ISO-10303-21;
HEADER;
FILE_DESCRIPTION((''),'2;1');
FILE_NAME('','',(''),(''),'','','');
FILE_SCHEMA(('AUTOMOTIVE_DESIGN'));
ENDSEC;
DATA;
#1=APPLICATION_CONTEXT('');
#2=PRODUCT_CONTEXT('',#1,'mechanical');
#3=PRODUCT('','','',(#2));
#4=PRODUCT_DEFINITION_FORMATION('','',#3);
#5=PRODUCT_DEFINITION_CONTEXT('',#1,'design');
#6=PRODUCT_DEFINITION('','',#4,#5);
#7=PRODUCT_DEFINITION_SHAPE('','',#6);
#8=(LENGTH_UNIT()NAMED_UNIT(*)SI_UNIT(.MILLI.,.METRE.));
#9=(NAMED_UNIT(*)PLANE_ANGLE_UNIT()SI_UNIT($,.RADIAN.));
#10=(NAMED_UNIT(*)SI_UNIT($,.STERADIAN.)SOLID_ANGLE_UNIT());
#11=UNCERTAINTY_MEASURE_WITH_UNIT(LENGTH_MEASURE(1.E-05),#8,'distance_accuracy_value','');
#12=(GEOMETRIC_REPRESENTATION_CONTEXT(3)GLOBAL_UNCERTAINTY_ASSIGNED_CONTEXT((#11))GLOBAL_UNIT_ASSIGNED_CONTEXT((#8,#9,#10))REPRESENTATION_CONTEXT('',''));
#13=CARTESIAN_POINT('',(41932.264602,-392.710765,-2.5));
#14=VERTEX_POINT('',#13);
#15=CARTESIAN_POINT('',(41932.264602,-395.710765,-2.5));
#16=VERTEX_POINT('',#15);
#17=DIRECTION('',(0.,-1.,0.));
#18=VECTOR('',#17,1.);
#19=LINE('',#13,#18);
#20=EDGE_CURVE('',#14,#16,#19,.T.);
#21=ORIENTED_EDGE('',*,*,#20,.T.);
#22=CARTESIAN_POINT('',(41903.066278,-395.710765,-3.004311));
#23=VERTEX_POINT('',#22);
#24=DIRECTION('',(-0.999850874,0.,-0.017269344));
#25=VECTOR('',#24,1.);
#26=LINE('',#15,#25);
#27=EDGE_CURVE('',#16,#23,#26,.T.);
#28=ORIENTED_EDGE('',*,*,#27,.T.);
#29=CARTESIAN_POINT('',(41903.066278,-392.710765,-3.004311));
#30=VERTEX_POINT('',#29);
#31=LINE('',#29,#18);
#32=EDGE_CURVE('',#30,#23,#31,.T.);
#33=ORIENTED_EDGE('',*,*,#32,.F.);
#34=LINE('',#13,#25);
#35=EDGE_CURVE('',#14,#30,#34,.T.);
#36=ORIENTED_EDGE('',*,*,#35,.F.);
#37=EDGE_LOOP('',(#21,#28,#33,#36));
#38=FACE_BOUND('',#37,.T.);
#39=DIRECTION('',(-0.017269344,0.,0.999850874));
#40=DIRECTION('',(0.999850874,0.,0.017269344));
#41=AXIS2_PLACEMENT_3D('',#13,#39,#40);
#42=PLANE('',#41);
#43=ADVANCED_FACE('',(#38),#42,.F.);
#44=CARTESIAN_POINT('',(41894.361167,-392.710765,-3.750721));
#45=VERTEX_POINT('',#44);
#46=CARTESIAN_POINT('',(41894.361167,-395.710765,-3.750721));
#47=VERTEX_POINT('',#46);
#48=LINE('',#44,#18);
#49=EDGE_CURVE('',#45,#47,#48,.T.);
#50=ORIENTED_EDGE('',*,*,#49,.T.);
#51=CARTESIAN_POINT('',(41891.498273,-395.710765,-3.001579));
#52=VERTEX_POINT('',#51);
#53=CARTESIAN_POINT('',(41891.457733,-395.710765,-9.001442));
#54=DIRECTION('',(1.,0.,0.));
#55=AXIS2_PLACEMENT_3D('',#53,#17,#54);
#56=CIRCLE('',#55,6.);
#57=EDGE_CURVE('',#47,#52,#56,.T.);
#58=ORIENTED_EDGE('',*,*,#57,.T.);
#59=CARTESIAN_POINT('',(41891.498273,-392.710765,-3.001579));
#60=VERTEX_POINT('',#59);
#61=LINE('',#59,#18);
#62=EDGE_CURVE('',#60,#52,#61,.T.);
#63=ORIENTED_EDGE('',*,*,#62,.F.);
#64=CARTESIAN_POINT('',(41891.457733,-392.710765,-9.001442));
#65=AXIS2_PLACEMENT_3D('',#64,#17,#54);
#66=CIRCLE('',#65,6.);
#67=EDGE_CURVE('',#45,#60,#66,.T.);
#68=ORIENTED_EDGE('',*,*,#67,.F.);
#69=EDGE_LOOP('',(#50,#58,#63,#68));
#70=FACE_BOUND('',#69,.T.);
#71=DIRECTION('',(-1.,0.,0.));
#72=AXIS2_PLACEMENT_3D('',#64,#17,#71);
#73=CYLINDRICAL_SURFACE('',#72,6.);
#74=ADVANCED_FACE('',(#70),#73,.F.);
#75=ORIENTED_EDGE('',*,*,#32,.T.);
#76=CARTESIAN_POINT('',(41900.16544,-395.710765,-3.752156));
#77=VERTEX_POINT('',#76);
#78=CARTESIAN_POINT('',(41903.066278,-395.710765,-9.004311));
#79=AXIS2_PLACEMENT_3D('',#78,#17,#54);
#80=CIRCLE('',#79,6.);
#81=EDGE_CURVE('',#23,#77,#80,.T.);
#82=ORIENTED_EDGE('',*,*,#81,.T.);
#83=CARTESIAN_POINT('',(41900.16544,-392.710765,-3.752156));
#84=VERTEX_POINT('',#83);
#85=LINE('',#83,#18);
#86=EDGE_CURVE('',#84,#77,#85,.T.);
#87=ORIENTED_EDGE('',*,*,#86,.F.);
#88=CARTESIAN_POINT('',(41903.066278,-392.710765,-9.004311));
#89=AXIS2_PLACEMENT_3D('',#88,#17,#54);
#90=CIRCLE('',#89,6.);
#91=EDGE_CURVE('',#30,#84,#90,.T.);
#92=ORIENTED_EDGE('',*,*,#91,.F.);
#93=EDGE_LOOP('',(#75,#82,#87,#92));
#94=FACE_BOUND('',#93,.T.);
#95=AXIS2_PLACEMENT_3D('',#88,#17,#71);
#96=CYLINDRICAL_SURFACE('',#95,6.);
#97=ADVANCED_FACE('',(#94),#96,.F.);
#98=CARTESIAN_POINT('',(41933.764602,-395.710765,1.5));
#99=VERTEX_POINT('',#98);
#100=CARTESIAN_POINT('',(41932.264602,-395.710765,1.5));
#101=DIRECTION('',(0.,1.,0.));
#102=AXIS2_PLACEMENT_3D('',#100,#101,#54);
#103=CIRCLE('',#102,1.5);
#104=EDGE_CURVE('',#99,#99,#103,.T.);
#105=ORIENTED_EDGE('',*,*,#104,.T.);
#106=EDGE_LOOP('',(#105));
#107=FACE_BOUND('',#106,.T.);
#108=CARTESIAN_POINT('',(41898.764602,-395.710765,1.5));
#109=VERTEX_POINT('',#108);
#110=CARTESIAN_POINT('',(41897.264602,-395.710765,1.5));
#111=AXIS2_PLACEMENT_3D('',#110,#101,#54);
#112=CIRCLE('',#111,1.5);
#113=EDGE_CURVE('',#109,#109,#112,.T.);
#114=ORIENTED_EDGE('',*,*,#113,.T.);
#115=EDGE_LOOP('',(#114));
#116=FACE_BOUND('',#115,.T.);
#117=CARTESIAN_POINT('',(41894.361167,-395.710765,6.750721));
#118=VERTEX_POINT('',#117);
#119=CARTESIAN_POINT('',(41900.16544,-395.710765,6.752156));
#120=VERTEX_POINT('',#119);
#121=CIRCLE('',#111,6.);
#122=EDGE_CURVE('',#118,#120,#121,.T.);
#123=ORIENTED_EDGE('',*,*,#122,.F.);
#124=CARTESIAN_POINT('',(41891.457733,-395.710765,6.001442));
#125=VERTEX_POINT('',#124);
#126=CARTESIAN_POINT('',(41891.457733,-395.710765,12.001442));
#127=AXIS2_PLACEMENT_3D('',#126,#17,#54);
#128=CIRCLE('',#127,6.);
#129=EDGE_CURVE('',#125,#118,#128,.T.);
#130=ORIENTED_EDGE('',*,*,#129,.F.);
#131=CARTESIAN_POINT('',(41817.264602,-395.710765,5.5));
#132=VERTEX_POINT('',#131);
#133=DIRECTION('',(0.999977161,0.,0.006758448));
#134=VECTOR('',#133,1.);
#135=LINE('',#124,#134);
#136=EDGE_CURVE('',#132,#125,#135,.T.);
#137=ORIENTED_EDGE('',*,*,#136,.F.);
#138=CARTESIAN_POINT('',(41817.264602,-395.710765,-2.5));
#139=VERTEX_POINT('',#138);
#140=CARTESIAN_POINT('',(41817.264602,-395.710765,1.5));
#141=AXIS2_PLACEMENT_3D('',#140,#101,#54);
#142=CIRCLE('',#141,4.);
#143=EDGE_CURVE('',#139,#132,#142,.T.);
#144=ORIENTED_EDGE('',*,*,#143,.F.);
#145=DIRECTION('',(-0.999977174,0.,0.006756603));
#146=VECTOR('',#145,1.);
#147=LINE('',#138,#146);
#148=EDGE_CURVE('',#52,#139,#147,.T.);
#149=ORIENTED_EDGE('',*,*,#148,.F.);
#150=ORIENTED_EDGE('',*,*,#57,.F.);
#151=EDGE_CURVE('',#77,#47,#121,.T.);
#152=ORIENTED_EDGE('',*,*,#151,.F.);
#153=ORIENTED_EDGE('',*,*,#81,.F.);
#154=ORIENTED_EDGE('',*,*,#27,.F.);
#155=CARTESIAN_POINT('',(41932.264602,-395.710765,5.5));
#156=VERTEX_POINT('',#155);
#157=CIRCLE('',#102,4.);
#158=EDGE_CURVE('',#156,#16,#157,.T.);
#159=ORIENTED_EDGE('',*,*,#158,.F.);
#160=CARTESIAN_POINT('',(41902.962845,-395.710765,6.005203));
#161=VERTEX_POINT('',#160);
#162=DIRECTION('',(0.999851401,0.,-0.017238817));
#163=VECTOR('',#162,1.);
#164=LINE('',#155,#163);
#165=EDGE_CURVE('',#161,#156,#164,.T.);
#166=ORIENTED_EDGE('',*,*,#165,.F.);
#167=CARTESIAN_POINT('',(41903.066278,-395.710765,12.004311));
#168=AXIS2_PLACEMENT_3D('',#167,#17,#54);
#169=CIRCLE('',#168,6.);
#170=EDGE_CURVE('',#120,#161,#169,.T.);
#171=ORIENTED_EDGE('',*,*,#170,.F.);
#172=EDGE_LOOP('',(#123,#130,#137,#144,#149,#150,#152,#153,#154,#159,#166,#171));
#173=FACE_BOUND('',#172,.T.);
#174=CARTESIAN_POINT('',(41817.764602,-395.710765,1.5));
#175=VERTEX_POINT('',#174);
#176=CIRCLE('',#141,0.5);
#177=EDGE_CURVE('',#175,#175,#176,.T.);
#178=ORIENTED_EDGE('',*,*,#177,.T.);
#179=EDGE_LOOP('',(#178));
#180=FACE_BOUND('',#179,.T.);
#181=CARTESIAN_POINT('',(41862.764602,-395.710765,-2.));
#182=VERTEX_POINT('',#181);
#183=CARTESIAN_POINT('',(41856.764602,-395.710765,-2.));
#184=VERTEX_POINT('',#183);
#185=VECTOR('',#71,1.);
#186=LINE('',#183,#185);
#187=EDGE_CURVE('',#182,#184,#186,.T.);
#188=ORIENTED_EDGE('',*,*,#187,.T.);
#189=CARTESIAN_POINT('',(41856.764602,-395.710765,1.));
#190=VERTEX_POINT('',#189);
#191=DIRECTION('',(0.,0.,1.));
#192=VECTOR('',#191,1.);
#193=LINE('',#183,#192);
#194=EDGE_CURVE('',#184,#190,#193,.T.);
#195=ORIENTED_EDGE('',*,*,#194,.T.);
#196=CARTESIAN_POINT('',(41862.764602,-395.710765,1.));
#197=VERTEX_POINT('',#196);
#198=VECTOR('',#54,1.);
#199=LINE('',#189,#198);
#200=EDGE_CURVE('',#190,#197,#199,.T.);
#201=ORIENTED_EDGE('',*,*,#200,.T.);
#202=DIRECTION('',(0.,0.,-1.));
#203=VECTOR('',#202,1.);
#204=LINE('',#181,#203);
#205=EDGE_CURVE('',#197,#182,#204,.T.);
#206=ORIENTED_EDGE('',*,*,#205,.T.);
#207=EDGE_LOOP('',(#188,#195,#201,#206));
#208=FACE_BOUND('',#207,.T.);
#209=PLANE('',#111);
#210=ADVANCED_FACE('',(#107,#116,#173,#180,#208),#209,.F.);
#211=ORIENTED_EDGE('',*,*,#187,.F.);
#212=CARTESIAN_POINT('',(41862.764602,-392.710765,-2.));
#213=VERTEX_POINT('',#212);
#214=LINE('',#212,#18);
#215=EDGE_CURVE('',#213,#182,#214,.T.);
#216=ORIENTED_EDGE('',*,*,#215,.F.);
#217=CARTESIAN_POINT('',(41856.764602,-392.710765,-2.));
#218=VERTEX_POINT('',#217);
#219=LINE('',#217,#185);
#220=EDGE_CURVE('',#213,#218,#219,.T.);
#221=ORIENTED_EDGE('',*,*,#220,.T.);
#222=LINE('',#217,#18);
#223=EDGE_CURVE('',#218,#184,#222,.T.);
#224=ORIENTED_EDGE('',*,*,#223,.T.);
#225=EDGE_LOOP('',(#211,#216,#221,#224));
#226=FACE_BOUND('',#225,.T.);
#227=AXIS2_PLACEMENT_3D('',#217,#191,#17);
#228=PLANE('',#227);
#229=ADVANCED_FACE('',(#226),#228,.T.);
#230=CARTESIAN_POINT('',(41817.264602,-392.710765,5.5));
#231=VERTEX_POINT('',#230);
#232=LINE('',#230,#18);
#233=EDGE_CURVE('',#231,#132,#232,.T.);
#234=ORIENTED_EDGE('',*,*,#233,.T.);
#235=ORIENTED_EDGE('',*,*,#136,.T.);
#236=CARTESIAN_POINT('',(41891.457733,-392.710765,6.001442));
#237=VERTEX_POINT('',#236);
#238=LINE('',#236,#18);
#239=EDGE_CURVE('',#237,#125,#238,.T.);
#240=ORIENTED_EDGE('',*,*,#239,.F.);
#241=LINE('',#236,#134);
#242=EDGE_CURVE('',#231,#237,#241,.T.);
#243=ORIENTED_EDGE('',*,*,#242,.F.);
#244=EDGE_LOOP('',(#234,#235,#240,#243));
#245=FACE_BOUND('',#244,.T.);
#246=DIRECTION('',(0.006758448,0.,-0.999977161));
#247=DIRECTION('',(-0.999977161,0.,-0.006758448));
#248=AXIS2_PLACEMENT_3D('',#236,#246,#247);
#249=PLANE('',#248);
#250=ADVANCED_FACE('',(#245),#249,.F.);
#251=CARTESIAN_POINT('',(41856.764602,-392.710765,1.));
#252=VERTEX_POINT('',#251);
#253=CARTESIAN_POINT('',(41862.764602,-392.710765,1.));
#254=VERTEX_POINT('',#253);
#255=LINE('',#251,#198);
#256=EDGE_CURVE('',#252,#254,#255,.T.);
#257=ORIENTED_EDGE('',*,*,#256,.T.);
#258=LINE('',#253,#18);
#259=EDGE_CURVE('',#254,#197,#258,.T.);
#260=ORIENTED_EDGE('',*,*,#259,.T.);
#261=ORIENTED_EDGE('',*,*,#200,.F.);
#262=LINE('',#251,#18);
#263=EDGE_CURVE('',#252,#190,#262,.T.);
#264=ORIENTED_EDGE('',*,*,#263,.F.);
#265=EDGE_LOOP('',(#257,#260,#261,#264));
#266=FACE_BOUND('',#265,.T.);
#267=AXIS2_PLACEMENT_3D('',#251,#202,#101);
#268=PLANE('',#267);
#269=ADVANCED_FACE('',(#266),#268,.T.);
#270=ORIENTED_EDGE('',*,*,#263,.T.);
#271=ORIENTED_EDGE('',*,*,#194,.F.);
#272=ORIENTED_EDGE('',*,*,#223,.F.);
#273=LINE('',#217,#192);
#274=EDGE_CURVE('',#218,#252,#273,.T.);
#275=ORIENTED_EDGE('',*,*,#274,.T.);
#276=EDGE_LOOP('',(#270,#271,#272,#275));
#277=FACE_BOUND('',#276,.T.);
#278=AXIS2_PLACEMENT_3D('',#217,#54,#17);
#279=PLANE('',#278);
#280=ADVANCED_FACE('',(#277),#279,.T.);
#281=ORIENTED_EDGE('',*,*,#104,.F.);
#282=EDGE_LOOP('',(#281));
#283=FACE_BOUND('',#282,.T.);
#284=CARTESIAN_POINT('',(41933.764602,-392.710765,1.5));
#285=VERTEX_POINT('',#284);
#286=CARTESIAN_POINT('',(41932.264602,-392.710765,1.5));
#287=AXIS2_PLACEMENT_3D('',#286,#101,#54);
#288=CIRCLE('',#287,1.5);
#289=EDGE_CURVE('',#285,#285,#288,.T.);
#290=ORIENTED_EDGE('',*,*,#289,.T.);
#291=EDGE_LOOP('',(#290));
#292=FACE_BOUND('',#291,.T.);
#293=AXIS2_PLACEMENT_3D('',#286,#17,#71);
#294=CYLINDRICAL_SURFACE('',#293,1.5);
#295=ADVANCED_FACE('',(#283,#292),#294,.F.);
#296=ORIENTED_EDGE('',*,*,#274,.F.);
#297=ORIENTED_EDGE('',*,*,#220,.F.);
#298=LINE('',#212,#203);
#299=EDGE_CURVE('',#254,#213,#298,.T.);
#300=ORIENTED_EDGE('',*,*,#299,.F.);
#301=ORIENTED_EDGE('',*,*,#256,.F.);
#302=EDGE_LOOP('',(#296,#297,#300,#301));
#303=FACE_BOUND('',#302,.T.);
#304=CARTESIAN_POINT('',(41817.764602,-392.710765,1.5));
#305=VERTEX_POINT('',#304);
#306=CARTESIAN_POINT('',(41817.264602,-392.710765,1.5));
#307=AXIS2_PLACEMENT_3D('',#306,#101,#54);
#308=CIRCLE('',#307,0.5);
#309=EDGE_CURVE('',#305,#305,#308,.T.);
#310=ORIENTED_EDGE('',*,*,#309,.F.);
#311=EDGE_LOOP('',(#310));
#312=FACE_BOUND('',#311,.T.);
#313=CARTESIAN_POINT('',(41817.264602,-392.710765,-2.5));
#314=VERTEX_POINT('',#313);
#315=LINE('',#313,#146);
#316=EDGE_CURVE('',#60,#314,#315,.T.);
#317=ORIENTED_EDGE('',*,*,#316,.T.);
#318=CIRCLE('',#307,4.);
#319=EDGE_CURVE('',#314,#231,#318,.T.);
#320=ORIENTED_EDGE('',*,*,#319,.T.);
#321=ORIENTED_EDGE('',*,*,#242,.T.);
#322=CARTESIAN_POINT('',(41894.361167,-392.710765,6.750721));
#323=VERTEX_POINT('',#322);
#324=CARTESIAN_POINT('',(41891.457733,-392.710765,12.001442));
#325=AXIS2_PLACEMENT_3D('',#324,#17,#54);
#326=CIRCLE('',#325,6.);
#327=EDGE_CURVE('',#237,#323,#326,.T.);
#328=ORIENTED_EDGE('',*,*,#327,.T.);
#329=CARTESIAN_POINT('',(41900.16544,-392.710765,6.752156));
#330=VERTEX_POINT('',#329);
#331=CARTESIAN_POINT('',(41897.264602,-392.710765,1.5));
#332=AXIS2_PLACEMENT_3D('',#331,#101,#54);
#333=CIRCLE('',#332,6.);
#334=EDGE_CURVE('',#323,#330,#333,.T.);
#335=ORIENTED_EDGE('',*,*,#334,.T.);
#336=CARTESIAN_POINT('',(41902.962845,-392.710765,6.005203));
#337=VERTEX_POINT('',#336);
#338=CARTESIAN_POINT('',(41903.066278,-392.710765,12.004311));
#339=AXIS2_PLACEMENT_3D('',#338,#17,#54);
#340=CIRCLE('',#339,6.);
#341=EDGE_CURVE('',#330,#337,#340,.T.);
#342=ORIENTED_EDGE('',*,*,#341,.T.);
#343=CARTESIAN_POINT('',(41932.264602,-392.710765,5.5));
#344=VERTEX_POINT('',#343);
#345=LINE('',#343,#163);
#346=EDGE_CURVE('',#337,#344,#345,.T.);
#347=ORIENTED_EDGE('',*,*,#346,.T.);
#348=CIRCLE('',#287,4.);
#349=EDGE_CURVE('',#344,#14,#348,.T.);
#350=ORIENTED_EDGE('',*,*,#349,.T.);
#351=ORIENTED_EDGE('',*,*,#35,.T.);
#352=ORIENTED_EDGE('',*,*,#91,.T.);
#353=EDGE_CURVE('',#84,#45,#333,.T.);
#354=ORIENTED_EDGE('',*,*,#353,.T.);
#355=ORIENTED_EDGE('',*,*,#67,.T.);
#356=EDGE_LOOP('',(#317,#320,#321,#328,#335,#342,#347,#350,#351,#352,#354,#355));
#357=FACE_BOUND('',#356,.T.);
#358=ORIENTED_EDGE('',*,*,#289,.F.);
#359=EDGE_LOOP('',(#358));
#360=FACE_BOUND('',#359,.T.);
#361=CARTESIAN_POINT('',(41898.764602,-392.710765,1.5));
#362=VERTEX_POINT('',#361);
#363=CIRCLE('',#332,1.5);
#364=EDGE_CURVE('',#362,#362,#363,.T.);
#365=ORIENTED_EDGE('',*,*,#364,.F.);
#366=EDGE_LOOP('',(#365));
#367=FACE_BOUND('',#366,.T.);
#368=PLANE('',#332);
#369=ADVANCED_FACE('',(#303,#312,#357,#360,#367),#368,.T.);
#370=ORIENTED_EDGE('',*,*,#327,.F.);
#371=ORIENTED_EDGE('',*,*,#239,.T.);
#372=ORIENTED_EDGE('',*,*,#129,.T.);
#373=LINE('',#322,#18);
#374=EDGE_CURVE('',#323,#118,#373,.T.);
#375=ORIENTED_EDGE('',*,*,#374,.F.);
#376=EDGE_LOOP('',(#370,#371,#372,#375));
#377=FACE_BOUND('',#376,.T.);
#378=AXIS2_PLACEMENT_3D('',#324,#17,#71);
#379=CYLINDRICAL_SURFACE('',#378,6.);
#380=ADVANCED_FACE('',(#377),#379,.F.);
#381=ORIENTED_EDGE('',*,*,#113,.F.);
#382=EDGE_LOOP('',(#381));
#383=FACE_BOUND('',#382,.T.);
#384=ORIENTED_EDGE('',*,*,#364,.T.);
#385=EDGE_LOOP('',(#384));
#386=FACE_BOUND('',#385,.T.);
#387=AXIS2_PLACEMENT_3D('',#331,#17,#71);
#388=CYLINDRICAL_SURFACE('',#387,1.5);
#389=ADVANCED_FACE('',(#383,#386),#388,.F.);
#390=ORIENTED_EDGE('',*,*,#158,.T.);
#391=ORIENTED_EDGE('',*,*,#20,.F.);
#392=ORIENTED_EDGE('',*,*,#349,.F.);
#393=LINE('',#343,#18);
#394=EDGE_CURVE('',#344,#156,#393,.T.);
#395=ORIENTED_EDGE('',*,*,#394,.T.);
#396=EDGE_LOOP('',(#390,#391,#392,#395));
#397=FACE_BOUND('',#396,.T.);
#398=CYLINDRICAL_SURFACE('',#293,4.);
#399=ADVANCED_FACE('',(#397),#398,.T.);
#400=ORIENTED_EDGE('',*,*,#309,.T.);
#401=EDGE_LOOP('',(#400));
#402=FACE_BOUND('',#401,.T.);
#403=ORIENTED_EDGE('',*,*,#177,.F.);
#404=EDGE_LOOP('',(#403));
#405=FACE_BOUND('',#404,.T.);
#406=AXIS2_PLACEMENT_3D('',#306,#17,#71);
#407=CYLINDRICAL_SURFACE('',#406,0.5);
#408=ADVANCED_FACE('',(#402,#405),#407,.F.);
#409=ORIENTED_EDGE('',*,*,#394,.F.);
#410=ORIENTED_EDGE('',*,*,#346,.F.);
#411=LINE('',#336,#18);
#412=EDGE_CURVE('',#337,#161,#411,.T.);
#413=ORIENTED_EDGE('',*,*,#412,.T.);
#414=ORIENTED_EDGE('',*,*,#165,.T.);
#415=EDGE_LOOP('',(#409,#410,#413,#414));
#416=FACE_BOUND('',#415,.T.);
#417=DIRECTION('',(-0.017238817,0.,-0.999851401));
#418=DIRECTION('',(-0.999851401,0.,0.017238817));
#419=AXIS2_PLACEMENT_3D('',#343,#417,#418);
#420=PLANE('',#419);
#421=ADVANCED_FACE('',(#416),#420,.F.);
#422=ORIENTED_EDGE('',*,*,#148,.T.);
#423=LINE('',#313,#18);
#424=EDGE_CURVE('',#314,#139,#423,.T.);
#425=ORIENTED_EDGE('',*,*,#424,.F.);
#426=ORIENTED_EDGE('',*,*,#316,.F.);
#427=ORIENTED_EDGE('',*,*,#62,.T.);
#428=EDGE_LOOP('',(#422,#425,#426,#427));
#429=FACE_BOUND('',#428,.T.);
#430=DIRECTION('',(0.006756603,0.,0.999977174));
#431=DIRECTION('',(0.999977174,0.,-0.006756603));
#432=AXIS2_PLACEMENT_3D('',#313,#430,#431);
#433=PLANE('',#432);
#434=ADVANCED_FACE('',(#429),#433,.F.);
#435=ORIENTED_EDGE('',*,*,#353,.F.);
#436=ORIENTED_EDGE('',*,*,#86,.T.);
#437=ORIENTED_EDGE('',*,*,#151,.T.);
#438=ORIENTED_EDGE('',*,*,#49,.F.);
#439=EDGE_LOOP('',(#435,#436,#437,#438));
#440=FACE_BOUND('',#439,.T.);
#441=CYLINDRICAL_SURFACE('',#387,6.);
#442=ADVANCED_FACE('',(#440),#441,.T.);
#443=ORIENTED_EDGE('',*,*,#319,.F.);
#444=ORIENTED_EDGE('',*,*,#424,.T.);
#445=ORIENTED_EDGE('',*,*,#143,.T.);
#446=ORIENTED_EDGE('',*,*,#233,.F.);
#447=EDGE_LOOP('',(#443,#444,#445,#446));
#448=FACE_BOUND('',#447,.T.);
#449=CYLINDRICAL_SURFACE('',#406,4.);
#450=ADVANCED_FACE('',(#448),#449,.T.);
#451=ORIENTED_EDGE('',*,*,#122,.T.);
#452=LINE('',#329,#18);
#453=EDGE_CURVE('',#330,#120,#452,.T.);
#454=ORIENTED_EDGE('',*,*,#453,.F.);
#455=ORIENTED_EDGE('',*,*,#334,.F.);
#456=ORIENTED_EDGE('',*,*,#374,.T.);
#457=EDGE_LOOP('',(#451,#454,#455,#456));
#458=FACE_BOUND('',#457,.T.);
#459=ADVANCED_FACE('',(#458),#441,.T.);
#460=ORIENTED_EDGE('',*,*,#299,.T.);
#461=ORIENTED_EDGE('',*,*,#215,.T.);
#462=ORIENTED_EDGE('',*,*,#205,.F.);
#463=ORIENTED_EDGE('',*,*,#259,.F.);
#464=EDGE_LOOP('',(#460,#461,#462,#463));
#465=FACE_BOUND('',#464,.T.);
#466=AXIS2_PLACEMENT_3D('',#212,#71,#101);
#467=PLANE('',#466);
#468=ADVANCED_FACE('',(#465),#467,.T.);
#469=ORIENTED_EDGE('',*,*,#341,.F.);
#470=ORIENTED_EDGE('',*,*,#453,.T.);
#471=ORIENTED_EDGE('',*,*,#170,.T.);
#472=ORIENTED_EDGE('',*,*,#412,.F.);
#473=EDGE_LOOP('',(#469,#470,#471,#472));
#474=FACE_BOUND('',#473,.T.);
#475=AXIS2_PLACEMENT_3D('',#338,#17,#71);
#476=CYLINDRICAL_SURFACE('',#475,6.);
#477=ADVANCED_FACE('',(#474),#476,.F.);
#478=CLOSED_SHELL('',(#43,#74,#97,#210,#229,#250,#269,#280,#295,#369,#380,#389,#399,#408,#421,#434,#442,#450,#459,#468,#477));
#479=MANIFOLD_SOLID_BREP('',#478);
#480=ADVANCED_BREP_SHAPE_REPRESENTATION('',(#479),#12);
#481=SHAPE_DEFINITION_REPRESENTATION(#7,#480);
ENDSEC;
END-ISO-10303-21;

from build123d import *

# Parameters (mm, degrees)
CROQUIS1_R                 = 0.5
CROQUIS1_R_2               = 1.5
CROQUIS1_W                 = 6
CROQUIS1_H                 = 3
SALIENTE_EXTRUIR1_DEPTH    = 3
S_LIDO_MOVER_COPIAR1_ANGLE = 90


with BuildPart() as part:
    # Croquis1 → Saliente-Extruir1 (new body)
    with BuildSketch(Plane.XY):
        with BuildLine():
            Line((41932.264601563, -390.210765183), (41903.066277894, -389.706454081))
            ThreePointArc((41903.066277894, -389.706454081), (41901.568434997, -389.516485634), (41900.165439728, -388.958609632))
            ThreePointArc((41900.165439728, -388.958609632), (41897.263118587, -388.210765367), (41894.361167478, -388.960044231))
            ThreePointArc((41894.361167478, -388.960044231), (41892.97663061, -389.513886246), (41891.498273009, -389.709186322))
            Line((41891.498273009, -389.709186322), (41817.264601562, -390.210765183))
            ThreePointArc((41817.264601562, -390.210765183), (41813.264601563, -394.210765183), (41817.264601563, -398.210765183))
            Line((41817.264601563, -398.210765183), (41891.457733394, -398.712207088))
            ThreePointArc((41891.457733394, -398.712207088), (41892.957012268, -398.902545922), (41894.361167478, -399.461486136))
            ThreePointArc((41894.361167478, -399.461486136), (41897.263118587, -400.210765), (41900.165439728, -399.462920735))
            ThreePointArc((41900.165439728, -399.462920735), (41901.518409746, -398.918171578), (41902.962844991, -398.715967883))
            Line((41902.962844991, -398.715967883), (41932.264601563, -398.210765183))
            ThreePointArc((41932.264601563, -398.210765183), (41936.264601563, -394.210765183), (41932.264601563, -390.210765183))
        make_face()
        with Locations((41817.264601563, -394.210765183)):
            Circle(CROQUIS1_R, mode=Mode.SUBTRACT)
        with Locations((41932.264601563, -394.210765183)):
            Circle(CROQUIS1_R_2, mode=Mode.SUBTRACT)
        with Locations((41897.264601563, -394.210765183)):
            Circle(CROQUIS1_R_2, mode=Mode.SUBTRACT)
        with Locations((41859.764601563, -392.210765183)):
            Rectangle(CROQUIS1_W, CROQUIS1_H, mode=Mode.SUBTRACT)
    extrude(amount=SALIENTE_EXTRUIR1_DEPTH)


with BuildPart() as part_1:
    # Sólido-Mover/Copiar1: moved
    add(part.part.rotate(Axis((0, -394.210765183, 1.5), (-1, 0, 0)), S_LIDO_MOVER_COPIAR1_ANGLE))


solid = part_1.part
